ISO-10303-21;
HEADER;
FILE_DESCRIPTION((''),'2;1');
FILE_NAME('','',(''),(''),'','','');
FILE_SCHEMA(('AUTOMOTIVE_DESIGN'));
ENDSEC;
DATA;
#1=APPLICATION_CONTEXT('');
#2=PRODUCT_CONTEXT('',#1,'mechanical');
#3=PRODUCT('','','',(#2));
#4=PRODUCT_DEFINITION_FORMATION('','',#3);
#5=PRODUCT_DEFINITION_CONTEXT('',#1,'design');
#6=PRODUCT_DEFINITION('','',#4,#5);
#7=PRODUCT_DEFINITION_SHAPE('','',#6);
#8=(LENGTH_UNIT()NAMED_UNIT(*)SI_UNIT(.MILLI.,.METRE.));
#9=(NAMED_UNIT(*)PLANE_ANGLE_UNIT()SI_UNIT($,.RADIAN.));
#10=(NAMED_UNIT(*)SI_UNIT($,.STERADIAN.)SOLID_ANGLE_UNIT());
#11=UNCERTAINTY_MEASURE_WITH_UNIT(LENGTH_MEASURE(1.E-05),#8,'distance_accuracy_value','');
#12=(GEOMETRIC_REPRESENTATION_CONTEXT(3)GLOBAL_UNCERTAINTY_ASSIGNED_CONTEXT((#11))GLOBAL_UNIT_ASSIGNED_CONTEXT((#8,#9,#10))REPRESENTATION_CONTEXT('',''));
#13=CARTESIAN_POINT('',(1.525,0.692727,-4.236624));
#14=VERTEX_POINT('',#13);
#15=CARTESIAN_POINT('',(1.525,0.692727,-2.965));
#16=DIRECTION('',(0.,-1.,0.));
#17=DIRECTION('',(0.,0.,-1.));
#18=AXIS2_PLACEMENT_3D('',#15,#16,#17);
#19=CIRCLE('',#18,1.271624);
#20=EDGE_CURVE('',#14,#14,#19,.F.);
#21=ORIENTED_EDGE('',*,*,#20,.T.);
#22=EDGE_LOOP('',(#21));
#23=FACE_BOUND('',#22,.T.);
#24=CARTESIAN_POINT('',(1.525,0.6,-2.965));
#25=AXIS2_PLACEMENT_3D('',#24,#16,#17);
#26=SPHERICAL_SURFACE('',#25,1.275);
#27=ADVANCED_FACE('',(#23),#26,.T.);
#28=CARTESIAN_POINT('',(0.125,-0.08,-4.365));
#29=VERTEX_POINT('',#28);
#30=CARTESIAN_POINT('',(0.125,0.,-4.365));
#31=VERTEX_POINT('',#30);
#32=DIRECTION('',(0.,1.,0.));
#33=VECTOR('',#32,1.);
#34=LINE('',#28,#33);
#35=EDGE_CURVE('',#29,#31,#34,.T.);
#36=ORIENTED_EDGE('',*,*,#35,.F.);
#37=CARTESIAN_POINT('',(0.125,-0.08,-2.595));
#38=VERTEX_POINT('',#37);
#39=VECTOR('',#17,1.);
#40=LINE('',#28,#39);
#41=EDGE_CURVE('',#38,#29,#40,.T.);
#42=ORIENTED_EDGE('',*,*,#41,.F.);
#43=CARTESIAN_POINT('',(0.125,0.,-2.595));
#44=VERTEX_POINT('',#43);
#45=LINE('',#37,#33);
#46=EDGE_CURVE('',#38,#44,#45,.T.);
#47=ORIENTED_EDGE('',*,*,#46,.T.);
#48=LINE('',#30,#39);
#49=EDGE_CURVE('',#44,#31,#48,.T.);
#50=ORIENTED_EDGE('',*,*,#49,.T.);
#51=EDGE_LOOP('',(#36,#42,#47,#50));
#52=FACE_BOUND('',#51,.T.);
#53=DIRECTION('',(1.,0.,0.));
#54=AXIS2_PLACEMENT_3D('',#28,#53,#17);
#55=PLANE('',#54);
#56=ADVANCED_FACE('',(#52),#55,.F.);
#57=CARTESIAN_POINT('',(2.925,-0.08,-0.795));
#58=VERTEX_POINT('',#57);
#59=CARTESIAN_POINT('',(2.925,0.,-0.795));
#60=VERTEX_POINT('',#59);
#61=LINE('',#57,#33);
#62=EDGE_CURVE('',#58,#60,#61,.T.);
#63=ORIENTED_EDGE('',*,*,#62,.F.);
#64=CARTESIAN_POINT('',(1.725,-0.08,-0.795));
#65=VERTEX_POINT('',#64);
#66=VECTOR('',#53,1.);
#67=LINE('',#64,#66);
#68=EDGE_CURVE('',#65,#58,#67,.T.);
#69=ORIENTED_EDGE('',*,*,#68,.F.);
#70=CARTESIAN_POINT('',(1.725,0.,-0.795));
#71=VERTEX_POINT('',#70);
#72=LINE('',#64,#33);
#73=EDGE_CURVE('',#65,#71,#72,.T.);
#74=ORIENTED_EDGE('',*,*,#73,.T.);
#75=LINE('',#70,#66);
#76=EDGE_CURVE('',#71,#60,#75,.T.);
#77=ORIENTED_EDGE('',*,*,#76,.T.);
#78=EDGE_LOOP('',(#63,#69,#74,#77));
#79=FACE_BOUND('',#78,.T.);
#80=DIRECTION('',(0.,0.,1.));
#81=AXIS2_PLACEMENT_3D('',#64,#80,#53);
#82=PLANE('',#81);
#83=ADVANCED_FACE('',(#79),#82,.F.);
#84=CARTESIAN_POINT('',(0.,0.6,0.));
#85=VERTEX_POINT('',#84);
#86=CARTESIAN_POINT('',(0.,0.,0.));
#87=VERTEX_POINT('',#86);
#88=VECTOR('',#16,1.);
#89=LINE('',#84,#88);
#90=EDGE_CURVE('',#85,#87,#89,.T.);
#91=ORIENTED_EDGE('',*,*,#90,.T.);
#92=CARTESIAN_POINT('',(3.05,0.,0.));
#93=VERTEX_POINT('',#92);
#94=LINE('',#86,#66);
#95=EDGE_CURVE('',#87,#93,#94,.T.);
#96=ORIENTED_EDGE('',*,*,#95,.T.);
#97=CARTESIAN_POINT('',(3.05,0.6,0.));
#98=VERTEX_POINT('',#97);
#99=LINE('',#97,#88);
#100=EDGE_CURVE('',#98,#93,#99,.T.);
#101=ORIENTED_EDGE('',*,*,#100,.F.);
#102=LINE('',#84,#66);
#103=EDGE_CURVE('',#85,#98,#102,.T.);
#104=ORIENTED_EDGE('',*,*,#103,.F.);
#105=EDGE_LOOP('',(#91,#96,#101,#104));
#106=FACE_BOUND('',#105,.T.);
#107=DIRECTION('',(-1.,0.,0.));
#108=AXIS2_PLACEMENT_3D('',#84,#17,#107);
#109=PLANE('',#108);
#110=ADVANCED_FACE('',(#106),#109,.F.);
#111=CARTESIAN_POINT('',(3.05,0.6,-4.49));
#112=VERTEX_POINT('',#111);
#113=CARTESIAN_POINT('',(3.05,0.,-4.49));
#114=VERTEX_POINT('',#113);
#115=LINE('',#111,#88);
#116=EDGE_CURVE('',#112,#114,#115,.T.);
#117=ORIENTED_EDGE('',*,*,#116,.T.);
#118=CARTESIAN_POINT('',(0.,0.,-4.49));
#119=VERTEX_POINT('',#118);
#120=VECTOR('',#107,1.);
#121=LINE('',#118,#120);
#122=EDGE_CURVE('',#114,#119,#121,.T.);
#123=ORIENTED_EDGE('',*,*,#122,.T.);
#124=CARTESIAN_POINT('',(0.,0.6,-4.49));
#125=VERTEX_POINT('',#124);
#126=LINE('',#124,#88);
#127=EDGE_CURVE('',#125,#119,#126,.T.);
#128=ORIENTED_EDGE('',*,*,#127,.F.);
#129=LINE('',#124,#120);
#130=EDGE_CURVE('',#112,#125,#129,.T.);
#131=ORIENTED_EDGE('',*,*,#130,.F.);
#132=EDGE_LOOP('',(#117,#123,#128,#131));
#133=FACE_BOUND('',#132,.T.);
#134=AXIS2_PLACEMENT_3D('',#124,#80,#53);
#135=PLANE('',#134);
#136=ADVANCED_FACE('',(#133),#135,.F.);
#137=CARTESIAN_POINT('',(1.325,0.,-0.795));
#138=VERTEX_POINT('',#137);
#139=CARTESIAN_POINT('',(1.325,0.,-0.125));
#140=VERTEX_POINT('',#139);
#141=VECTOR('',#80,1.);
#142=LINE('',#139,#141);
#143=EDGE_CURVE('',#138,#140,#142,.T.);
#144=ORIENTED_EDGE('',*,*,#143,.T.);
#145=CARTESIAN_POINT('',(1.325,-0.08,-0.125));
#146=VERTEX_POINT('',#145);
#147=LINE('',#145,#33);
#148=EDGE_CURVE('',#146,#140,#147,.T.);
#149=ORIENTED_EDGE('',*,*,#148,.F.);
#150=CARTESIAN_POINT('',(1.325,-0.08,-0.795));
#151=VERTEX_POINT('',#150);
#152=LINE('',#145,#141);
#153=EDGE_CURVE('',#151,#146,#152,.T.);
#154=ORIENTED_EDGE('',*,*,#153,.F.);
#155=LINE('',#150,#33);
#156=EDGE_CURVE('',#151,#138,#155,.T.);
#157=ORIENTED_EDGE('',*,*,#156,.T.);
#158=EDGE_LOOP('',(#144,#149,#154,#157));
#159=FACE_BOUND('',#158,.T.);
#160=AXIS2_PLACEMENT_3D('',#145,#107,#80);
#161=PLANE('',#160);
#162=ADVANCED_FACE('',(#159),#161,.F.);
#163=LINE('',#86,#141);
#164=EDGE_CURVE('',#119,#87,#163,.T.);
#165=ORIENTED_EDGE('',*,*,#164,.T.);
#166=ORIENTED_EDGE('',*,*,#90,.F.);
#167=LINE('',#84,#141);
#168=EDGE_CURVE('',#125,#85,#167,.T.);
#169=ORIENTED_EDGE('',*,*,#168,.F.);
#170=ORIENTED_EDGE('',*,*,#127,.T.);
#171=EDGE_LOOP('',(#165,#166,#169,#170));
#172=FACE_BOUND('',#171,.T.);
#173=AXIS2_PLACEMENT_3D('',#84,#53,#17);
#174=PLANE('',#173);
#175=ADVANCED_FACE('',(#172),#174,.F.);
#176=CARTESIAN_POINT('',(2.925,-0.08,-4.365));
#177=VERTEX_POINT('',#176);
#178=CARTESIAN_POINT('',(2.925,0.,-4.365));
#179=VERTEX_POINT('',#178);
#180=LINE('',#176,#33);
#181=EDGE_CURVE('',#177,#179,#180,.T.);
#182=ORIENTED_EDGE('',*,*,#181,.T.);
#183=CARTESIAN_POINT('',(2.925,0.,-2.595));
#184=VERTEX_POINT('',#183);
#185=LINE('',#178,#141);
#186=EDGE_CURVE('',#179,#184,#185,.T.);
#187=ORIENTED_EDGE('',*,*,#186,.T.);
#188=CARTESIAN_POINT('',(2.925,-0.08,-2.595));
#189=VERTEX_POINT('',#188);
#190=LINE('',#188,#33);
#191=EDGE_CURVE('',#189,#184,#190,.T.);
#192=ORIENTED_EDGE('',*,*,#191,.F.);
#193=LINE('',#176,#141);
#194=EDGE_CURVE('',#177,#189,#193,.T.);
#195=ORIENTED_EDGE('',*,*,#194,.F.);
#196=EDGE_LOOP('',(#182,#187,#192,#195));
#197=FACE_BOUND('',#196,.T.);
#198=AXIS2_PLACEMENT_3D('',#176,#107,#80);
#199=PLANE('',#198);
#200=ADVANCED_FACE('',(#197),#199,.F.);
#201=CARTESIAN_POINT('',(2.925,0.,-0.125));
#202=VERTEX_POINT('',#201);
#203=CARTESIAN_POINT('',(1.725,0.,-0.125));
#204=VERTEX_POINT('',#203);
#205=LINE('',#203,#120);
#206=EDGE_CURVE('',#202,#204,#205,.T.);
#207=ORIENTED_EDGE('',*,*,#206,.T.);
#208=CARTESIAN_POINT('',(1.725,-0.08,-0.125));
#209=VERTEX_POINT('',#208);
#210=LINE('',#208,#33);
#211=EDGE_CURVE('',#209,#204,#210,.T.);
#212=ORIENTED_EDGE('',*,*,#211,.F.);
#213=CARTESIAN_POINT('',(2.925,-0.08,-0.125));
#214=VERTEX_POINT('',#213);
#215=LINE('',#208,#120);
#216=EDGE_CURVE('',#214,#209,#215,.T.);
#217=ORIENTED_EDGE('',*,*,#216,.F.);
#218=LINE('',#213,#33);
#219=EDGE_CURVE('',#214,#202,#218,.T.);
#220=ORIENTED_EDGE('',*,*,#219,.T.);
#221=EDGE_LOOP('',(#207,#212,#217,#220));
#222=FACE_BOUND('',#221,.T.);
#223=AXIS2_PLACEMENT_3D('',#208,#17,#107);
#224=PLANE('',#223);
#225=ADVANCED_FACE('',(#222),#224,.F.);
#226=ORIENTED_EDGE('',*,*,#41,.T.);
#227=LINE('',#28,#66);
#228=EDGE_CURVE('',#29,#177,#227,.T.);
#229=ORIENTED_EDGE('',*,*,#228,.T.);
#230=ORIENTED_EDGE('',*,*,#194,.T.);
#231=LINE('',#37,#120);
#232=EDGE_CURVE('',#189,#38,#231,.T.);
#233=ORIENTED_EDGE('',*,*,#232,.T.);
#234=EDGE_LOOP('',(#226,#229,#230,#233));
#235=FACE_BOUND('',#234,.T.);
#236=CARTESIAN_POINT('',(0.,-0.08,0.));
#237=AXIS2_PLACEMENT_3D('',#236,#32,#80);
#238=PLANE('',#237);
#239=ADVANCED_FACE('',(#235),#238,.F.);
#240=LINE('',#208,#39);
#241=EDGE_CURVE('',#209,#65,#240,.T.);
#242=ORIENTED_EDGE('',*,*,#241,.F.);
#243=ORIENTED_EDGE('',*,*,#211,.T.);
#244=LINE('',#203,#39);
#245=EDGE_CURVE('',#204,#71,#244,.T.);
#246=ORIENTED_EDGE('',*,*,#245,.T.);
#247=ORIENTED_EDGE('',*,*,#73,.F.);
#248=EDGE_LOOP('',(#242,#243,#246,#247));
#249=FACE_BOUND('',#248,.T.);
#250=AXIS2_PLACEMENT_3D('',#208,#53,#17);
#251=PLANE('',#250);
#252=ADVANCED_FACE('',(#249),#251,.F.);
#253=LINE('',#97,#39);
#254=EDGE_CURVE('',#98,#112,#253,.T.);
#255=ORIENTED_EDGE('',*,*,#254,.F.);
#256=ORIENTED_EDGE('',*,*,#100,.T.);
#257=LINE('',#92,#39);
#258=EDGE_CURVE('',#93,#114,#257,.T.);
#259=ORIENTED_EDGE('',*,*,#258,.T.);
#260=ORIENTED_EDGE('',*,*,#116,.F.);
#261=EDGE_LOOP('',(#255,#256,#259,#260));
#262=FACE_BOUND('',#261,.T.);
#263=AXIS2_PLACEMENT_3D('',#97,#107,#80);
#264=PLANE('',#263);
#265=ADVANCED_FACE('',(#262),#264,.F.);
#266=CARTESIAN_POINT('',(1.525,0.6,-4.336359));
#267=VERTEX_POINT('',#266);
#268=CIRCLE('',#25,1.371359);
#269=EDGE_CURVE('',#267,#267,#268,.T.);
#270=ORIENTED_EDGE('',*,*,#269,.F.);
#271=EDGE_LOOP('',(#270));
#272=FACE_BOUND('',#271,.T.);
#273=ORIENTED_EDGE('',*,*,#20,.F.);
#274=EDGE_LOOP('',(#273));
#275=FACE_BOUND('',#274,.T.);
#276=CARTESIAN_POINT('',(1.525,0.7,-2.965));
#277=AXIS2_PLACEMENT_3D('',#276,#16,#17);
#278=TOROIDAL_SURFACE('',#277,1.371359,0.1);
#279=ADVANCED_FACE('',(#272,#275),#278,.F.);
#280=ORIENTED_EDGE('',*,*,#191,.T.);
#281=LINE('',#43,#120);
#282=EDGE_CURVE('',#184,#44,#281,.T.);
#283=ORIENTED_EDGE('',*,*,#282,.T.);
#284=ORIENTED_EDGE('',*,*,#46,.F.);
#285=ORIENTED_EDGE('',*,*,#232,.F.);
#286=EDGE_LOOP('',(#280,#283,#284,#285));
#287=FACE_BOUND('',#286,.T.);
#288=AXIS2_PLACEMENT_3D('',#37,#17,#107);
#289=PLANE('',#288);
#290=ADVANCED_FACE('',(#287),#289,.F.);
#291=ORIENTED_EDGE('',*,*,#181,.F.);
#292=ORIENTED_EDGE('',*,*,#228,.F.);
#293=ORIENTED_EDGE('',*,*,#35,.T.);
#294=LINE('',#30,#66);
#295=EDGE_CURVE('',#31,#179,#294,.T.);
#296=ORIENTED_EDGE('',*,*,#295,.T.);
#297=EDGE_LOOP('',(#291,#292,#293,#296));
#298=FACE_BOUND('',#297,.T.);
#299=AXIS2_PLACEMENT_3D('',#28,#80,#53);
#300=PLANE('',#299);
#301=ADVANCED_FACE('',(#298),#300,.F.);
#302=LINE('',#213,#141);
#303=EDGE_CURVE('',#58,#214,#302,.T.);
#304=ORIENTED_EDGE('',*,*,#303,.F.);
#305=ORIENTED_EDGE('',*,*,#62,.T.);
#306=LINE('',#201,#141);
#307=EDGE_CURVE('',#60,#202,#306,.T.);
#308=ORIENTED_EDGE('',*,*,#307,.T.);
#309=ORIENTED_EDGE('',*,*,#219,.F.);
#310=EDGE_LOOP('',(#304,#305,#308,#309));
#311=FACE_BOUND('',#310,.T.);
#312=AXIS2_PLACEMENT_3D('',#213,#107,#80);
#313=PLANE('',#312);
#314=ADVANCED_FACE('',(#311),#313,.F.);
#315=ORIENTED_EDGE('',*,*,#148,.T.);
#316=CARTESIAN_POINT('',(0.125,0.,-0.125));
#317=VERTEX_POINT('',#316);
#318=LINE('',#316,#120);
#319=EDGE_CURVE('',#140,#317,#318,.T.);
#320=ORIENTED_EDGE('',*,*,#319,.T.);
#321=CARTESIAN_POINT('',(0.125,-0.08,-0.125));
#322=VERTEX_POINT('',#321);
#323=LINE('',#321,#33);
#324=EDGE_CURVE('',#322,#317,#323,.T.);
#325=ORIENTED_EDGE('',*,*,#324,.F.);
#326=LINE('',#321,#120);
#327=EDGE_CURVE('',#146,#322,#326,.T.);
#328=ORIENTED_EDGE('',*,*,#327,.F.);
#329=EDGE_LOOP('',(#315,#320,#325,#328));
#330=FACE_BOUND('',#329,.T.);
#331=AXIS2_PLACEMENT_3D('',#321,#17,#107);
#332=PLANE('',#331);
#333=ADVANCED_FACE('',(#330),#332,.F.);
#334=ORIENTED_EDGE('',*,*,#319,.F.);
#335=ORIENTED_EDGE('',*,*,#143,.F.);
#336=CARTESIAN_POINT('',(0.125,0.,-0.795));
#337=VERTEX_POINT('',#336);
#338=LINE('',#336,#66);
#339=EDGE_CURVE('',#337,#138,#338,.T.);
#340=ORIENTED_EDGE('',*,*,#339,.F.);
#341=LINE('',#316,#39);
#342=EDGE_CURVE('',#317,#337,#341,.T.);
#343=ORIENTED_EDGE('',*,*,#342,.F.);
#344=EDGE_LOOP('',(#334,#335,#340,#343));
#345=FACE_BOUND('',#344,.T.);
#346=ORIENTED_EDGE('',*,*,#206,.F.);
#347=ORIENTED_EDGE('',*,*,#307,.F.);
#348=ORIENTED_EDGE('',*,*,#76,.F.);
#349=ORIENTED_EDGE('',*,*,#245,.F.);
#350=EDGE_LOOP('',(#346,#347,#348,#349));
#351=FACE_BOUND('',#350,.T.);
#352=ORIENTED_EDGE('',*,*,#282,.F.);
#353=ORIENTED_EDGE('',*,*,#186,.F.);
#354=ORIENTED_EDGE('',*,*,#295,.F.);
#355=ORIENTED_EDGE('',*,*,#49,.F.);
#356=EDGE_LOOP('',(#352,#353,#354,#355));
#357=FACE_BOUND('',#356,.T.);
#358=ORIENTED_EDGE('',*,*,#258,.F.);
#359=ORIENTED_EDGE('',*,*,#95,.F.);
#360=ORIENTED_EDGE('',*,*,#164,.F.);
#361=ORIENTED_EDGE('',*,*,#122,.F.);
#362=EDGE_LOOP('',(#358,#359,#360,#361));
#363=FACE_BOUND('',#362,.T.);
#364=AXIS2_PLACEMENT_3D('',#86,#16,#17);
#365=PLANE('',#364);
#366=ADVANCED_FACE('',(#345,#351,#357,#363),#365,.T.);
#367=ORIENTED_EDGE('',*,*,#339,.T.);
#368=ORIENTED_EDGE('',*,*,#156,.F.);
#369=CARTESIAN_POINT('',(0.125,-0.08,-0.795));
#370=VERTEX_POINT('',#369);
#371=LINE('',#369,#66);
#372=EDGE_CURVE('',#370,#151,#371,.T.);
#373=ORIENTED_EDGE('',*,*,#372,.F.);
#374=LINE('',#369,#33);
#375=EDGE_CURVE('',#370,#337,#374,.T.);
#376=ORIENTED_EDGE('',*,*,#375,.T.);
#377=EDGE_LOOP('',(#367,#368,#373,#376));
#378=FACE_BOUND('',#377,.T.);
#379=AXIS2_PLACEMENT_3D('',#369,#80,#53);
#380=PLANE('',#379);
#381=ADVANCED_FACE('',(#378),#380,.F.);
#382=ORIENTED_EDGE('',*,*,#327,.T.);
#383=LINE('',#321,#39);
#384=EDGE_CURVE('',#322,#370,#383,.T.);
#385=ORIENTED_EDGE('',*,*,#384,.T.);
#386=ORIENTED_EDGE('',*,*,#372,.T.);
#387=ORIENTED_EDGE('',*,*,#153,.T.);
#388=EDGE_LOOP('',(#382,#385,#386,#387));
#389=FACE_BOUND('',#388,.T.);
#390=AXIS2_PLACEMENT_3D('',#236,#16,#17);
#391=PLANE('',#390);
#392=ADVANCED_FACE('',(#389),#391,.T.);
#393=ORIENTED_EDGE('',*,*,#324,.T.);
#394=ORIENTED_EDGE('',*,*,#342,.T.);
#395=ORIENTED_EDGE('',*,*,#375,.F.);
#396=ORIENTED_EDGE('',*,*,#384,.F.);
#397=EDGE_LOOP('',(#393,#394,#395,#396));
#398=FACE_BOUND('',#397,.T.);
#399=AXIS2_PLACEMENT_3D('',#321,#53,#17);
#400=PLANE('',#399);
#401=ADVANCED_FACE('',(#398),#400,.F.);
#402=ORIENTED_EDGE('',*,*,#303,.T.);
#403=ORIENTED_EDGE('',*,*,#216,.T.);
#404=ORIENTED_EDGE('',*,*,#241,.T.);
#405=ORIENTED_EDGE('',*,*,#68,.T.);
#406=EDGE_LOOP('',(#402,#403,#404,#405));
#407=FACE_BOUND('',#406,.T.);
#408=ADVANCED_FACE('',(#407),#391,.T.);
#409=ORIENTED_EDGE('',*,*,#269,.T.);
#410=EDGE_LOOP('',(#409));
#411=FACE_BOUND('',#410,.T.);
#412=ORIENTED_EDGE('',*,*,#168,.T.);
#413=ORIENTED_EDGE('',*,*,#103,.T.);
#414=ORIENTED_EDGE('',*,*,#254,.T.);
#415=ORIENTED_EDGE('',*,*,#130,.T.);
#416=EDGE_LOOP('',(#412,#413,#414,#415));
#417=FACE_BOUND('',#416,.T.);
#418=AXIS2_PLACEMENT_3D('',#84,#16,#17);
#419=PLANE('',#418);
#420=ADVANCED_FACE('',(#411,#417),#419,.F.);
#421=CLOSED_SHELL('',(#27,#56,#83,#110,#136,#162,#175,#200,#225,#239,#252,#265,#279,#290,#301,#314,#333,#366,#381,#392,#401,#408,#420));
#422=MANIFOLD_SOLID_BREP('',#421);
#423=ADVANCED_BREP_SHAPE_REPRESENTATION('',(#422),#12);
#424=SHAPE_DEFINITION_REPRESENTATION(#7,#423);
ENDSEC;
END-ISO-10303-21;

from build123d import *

# Parameters (mm, degrees)
SKETCH1_W           = 3.05
SKETCH1_H           = 4.49
BOSS_EXTRUDE1_DEPTH = 0.6
REVOLVE1_ANGLE      = 180
FILLET1_R           = 0.1
SKETCH3_W           = 2.8
SKETCH3_H           = 1.77
SKETCH3_W_2         = 1.2
SKETCH3_H_2         = 0.67
BOSS_EXTRUDE2_DEPTH = 0.08


with BuildPart() as part:
    # Sketch1 → Boss-Extrude1 (new body)
    with BuildSketch(Plane(origin=(0, 0, 0), x_dir=(1, 0, 0), z_dir=(0, 1, 0))):
        with Locations((1.525, 2.245)):
            Rectangle(SKETCH1_W, SKETCH1_H)
    extrude(amount=BOSS_EXTRUDE1_DEPTH)

    # Sketch2 → Revolve1 (revolve)
    with BuildSketch(Plane(origin=(0, 0.6, 0), x_dir=(1, 0, 0), z_dir=(0, 1, 0))):
        with BuildLine():
            Line((0.25, 2.965), (2.8, 2.965))
            ThreePointArc((2.8, 2.965), (1.525, 4.24), (0.25, 2.965))
        make_face()
    revolve(axis=Axis((0.25, 0.6, -2.965), (1, 0, 0)), revolution_arc=REVOLVE1_ANGLE)

    # Fillet1
    fillet1_edges = [part.edges().sort_by_distance(p)[0] for p in [
        (1.525, 0.6, -4.24),
    ]]
    fillet(fillet1_edges, radius=FILLET1_R)

    # Sketch3 → Boss-Extrude2 (add)
    with BuildSketch(Plane.XZ):
        with Locations((1.525, -3.48)):
            Rectangle(SKETCH3_W, SKETCH3_H)
        with Locations((0.725, -0.46)):
            Rectangle(SKETCH3_W_2, SKETCH3_H_2)
        with Locations((2.325, -0.46)):
            Rectangle(SKETCH3_W_2, SKETCH3_H_2)
    extrude(amount=BOSS_EXTRUDE2_DEPTH)


solid = part.part
